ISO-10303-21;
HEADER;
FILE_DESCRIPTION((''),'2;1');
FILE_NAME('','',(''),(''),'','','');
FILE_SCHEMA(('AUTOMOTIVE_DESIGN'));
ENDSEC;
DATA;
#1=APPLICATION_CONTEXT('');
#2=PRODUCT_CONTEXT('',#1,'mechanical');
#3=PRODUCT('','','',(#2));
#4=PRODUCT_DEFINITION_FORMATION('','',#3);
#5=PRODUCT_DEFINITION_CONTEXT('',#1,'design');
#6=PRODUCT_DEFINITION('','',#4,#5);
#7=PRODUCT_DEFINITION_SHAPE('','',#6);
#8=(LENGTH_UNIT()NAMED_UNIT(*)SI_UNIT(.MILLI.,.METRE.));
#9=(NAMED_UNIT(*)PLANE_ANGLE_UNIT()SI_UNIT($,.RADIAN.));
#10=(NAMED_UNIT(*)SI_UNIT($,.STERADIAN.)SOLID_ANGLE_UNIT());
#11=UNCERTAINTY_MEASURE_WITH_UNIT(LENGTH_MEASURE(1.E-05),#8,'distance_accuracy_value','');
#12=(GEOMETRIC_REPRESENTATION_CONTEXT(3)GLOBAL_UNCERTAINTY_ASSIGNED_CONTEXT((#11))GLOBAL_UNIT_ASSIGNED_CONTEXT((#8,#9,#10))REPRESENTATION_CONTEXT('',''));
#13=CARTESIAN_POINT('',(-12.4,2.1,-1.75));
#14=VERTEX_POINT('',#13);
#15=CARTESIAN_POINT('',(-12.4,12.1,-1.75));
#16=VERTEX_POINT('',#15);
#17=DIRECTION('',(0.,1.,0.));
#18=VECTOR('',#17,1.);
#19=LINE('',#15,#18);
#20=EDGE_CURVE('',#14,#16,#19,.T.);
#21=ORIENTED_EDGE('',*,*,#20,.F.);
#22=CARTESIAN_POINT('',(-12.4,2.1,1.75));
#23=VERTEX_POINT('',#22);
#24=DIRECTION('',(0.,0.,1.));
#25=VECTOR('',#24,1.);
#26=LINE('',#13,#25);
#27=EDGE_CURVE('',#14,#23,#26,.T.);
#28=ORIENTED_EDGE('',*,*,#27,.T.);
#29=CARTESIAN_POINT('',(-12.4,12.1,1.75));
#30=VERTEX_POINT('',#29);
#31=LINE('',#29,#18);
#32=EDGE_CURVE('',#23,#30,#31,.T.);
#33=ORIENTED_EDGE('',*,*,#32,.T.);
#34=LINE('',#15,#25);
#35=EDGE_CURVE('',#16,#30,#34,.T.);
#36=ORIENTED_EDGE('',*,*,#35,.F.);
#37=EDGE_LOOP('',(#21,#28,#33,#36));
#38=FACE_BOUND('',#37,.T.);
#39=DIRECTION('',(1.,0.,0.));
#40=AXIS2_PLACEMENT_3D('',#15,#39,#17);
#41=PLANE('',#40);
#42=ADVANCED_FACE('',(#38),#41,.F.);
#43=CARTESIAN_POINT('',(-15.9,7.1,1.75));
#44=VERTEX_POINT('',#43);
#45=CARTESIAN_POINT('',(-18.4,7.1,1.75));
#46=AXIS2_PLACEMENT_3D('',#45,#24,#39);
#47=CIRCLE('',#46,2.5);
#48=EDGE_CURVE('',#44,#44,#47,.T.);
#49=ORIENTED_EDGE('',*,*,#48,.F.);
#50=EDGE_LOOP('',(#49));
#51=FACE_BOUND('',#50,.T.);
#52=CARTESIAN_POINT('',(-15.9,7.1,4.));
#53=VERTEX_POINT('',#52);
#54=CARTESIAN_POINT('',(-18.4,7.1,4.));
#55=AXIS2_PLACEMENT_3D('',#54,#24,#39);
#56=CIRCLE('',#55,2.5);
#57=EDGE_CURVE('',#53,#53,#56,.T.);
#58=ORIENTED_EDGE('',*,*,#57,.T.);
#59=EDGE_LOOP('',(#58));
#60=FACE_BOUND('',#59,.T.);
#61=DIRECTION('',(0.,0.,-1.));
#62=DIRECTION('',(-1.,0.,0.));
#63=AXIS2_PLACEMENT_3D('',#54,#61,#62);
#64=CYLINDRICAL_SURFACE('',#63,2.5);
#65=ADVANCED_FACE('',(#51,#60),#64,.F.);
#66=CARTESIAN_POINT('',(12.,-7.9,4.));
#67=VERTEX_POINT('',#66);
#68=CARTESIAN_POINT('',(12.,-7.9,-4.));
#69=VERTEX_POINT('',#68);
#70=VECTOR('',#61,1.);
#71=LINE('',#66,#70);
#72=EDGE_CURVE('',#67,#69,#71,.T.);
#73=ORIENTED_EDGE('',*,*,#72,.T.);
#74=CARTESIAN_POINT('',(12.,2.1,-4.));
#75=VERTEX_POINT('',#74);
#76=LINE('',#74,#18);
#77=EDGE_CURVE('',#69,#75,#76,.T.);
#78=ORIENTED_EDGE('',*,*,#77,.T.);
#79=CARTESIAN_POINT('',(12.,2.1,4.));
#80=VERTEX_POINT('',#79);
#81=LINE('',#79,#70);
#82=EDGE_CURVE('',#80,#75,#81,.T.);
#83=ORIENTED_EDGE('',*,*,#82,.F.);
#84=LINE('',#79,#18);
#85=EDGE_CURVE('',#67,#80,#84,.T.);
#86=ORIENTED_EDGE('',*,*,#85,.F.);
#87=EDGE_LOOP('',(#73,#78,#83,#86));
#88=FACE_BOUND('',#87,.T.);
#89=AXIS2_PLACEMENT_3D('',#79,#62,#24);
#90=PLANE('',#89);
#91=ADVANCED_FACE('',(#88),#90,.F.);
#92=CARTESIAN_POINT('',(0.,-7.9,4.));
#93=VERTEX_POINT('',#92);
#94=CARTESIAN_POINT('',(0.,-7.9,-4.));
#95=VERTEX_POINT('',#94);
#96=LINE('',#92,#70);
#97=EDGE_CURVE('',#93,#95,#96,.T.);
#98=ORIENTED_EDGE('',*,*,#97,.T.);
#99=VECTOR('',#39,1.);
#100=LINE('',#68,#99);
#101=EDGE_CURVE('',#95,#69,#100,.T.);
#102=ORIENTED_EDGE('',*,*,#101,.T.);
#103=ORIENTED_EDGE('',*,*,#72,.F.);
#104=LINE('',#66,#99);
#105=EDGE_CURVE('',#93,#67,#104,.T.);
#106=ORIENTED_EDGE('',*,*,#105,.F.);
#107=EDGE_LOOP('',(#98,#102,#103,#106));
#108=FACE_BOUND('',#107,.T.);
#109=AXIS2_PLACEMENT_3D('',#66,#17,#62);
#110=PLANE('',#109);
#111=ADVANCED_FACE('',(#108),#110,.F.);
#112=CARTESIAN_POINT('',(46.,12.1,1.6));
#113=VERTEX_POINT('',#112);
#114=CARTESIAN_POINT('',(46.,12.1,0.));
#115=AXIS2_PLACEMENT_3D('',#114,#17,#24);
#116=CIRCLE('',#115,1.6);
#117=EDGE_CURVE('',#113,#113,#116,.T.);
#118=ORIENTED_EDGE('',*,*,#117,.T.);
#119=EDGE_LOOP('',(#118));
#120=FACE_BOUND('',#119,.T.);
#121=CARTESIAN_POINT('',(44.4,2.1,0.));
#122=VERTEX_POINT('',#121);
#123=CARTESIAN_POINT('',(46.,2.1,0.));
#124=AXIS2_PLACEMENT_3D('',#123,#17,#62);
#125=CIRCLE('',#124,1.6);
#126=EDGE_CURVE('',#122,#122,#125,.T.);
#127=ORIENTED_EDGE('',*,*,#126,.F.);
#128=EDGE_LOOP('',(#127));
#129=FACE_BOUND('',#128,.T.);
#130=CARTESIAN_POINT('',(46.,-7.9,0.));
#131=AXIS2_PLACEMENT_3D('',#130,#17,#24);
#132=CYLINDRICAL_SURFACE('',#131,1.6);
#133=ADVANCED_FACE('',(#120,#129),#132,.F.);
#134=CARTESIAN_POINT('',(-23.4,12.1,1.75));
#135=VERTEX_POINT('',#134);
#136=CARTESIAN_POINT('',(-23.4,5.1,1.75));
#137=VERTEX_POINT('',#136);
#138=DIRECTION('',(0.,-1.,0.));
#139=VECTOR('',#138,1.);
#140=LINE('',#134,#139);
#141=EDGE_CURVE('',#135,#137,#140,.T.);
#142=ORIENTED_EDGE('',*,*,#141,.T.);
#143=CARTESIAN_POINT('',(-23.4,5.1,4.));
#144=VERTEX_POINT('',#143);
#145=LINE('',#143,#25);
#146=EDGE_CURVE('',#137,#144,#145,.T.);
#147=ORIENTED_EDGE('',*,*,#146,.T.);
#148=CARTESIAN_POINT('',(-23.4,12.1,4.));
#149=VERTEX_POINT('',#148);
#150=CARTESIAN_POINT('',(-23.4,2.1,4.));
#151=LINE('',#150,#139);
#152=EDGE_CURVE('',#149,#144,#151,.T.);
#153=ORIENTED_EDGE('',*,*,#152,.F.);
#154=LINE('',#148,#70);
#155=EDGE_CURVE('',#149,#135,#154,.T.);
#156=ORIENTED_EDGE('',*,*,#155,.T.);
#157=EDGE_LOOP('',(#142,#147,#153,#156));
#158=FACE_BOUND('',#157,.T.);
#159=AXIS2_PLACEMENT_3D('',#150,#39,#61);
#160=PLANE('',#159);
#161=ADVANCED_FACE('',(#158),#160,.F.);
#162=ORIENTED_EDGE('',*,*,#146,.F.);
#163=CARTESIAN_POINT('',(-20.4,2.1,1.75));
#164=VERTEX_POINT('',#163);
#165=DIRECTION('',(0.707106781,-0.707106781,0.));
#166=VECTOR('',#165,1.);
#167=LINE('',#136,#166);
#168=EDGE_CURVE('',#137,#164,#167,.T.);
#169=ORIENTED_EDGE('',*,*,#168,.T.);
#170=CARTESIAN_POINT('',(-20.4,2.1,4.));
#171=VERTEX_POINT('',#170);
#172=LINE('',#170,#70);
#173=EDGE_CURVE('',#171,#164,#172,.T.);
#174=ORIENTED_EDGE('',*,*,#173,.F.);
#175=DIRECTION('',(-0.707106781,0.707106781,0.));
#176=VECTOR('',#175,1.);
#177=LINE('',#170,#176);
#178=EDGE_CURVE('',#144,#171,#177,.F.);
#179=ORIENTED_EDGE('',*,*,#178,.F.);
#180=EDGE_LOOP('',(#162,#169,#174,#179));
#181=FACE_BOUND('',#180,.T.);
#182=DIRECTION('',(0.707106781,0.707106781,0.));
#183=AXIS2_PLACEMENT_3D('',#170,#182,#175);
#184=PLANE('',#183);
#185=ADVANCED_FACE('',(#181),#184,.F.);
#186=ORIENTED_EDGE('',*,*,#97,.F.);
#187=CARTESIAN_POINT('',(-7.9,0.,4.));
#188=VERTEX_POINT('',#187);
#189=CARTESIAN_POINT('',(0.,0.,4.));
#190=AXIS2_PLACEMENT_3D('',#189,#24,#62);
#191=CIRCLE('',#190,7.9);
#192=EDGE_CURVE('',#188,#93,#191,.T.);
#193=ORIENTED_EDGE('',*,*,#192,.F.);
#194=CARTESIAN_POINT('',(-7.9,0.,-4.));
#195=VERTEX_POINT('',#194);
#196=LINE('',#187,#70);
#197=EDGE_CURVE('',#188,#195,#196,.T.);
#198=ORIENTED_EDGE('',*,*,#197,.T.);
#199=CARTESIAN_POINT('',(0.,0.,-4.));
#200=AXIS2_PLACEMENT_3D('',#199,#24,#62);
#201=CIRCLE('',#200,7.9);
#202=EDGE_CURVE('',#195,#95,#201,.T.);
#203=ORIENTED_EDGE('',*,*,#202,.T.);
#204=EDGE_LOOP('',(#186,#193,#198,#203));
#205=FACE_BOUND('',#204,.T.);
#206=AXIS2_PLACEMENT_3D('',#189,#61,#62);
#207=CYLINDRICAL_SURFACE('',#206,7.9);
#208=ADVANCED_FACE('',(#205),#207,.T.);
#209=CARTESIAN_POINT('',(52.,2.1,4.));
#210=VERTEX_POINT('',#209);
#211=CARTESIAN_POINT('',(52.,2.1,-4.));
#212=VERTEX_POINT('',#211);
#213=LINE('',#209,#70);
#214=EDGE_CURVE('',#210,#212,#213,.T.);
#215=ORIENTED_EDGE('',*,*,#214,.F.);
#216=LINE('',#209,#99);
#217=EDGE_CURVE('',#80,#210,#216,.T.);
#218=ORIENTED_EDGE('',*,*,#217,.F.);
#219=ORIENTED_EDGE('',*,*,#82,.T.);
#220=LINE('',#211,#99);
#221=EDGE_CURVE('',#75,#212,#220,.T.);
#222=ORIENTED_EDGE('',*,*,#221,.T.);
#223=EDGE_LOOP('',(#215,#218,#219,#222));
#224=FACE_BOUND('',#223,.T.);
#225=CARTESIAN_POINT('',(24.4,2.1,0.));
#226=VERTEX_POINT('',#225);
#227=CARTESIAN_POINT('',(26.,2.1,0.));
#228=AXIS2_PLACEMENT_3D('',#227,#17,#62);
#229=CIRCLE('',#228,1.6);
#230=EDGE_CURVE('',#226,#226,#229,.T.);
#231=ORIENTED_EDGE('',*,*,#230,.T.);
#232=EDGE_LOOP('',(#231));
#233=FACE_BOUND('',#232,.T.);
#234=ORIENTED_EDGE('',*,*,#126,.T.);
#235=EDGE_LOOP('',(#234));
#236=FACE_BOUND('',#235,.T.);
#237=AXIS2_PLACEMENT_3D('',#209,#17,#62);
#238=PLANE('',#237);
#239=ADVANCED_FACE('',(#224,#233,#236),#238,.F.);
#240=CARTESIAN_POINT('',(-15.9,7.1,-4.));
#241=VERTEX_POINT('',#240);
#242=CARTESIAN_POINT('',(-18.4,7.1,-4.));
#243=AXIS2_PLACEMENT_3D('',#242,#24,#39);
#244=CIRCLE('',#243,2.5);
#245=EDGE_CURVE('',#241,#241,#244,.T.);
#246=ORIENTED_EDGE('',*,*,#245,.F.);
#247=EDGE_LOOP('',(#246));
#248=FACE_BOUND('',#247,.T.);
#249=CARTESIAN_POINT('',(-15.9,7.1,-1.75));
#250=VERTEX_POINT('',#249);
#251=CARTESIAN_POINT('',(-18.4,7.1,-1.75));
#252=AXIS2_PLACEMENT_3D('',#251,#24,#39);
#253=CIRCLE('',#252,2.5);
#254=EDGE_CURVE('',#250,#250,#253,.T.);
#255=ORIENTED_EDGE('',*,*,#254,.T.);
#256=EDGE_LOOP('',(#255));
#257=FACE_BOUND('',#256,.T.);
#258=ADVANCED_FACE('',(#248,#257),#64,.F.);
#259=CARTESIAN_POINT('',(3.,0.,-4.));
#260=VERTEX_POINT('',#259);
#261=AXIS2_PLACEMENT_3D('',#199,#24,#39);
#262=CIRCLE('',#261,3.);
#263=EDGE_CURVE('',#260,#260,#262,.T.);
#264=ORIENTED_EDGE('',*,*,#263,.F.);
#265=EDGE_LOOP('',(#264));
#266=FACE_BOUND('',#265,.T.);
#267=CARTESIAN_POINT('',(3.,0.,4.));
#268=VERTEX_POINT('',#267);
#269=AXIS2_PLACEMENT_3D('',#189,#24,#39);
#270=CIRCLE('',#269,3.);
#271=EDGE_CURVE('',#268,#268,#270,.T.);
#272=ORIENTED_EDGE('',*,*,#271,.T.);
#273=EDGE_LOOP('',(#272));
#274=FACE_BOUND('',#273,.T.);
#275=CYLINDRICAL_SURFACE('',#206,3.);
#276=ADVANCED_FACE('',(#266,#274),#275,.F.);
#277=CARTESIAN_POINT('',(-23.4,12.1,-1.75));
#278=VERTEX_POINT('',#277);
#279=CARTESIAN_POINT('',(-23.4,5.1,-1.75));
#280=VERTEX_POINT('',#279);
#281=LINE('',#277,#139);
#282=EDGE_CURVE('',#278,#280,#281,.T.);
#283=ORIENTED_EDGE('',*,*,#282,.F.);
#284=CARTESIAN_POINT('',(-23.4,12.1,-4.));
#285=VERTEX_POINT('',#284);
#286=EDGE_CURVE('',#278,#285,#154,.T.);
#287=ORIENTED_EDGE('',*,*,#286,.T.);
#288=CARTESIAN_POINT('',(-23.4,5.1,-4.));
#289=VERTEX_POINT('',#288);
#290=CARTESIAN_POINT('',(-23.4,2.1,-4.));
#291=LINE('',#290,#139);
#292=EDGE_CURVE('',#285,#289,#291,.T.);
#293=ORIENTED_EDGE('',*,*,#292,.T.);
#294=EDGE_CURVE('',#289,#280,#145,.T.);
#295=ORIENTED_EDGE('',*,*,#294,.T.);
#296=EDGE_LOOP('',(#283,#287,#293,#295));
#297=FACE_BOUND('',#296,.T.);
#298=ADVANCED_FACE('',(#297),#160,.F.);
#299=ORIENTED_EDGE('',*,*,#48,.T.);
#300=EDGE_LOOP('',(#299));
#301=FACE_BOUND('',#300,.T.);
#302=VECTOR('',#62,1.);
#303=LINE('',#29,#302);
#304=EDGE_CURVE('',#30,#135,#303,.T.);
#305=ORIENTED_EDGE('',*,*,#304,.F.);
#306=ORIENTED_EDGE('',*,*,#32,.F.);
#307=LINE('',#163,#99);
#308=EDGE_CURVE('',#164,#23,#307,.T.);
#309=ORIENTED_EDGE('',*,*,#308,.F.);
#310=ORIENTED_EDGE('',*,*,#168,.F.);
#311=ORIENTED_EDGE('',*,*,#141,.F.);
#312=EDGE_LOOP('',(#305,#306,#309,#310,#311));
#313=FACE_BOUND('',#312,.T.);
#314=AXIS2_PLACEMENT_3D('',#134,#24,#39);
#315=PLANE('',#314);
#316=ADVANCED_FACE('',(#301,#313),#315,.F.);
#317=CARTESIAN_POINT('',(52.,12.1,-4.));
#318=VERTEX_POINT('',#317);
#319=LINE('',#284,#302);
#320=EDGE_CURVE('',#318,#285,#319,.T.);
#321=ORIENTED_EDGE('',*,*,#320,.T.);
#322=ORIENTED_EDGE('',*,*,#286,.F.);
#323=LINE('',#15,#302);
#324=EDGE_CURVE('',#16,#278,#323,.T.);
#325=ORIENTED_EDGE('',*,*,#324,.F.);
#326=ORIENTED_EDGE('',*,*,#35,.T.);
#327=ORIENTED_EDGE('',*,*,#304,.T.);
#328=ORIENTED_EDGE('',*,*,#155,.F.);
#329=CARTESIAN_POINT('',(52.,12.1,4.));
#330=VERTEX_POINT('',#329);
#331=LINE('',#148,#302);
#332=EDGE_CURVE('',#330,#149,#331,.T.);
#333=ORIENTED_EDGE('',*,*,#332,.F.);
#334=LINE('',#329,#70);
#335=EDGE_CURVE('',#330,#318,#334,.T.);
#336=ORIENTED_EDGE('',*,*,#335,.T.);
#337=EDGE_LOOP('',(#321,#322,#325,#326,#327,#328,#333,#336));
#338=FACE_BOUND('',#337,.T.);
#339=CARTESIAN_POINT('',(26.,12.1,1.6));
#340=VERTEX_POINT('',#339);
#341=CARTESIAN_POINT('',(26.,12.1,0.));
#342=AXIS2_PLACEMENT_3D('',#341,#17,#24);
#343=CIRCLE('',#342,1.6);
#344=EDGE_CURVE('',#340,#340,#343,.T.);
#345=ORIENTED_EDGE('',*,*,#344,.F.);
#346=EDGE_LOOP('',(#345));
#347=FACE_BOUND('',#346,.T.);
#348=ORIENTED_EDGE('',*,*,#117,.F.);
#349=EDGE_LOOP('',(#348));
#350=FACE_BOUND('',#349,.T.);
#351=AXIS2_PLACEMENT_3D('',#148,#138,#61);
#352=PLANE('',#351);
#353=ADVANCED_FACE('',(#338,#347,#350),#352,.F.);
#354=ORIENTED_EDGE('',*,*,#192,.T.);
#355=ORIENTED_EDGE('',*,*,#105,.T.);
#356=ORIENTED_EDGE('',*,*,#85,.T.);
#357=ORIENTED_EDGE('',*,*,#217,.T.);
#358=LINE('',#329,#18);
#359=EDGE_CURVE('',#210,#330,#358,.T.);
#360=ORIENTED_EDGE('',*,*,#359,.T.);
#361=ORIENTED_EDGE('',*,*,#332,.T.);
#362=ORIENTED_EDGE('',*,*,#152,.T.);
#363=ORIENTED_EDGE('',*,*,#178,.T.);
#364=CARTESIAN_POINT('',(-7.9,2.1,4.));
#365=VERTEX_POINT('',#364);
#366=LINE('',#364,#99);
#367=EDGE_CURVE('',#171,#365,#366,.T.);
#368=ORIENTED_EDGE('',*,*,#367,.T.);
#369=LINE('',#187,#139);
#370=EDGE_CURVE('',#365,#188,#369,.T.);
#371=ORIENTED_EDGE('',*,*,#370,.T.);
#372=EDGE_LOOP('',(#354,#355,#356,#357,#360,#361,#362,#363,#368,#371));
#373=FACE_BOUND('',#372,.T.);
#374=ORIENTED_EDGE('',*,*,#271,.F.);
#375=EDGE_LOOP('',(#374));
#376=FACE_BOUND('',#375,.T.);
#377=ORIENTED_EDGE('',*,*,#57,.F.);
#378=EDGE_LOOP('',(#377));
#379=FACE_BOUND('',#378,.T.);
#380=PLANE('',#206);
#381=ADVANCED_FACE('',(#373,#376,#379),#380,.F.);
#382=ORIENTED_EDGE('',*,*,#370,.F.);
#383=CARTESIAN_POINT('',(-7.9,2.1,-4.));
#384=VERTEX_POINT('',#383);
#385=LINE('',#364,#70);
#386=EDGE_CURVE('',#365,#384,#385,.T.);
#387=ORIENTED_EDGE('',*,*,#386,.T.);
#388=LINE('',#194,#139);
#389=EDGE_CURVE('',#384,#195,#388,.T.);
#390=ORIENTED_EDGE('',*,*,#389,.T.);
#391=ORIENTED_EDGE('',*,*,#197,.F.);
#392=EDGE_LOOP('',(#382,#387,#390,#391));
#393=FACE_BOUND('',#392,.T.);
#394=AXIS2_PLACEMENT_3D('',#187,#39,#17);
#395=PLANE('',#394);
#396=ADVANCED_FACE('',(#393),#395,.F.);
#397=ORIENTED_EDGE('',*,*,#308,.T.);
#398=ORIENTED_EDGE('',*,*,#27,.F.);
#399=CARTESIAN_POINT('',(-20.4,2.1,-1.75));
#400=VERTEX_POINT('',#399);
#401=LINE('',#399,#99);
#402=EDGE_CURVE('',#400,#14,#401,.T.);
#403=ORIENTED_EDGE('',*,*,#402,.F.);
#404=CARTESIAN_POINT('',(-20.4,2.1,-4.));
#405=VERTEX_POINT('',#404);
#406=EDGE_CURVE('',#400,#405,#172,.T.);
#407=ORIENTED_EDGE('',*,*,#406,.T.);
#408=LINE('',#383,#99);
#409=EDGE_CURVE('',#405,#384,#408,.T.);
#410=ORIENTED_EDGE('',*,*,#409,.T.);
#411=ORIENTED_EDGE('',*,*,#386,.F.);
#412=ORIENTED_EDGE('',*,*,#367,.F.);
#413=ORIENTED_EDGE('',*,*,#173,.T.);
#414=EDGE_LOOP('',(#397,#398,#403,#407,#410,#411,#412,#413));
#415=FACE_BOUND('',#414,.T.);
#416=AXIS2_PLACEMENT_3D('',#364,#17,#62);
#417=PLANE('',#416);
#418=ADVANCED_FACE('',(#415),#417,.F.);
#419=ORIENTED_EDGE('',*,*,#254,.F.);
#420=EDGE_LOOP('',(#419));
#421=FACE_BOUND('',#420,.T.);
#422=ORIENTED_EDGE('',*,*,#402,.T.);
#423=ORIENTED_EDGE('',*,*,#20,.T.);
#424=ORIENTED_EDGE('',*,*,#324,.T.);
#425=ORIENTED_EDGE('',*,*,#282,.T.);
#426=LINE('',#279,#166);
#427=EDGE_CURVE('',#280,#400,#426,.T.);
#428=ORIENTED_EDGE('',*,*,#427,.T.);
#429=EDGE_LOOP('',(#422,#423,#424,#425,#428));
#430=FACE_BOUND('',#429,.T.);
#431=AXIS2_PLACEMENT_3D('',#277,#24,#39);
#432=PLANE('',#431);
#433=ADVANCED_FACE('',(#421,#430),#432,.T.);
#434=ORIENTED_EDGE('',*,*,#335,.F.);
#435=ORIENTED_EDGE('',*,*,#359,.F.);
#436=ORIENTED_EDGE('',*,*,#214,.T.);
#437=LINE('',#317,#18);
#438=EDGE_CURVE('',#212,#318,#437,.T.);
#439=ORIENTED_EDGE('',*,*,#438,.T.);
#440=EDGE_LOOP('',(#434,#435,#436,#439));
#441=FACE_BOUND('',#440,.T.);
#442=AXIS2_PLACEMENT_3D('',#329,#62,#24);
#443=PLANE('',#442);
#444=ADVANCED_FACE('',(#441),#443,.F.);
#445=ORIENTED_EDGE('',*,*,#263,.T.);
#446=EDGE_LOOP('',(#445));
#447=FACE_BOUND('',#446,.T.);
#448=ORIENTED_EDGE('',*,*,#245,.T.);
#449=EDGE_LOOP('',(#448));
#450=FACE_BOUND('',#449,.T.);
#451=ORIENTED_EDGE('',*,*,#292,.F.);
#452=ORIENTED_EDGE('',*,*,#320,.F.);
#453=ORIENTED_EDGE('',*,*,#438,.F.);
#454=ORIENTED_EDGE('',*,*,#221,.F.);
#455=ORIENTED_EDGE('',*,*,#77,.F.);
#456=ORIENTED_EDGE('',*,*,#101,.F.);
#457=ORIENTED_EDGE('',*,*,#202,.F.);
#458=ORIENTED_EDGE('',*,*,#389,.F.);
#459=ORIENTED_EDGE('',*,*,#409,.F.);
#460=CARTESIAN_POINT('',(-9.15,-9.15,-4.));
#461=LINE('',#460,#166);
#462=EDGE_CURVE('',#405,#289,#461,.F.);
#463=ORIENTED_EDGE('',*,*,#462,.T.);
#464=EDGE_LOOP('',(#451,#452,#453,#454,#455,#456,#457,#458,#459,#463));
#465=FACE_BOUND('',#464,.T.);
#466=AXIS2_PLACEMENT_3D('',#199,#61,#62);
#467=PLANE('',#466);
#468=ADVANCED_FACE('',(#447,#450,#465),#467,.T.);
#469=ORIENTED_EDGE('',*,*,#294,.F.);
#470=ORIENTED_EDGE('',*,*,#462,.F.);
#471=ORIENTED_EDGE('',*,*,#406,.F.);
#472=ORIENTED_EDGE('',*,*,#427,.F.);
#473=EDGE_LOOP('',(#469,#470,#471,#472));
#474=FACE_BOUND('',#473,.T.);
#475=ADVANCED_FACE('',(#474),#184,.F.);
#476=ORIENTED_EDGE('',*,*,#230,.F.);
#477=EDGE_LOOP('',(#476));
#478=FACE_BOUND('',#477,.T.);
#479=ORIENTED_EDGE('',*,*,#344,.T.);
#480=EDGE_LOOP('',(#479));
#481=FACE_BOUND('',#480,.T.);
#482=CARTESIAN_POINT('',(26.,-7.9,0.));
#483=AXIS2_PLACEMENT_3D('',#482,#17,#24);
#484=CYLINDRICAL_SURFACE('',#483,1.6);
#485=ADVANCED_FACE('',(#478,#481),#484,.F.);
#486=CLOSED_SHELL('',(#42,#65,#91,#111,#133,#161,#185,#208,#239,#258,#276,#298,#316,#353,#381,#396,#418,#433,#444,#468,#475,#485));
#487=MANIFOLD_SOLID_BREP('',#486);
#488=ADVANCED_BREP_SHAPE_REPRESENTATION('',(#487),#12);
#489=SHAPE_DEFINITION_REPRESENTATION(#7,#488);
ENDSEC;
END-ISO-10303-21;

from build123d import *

# Parameters (mm, degrees)
ESQUISSE1_R             = 3
ESQUISSE1_R_2           = 2.5
BASE_EXTRUSION_DEPTH    = 4
CHANFREIN1_SIZE         = 3
ENL_V_MAT_EXTRU_2_DEPTH = 1.75
ESQUISSE7_R             = 1.6
ENL_V_MAT_EXTRU_3_DEPTH = 21


with BuildPart() as part:
    # Esquisse1 → Base-Extrusion (new body, symmetric)
    with BuildSketch(Plane.XY):
        with BuildLine():
            Line((-23.4, 12.1), (52, 12.1))
            Line((52, 12.1), (52, 2.1))
            Line((52, 2.1), (12, 2.1))
            Line((12, 2.1), (12, -7.9))
            Line((12, -7.9), (0, -7.9))
            ThreePointArc((0, -7.9), (-5.586143571, -5.586143571), (-7.9, 0))
            Line((-7.9, 0), (-7.9, 2.1))
            Line((-7.9, 2.1), (-23.4, 2.1))
            Line((-23.4, 2.1), (-23.4, 12.1))
        make_face()
        Circle(ESQUISSE1_R, mode=Mode.SUBTRACT)
        with Locations((-18.4, 7.1)):
            Circle(ESQUISSE1_R_2, mode=Mode.SUBTRACT)
    extrude(amount=BASE_EXTRUSION_DEPTH, both=True)

    # Chanfrein1
    chanfrein1_edges = [part.edges().sort_by_distance(p)[0] for p in [
        (-23.4, 2.1, 0),
    ]]
    chamfer(chanfrein1_edges, length=CHANFREIN1_SIZE)

    # Esquisse2 → Enlèv. mat.-Extru.2 (cut, symmetric)
    with BuildSketch(Plane.XY):
        Polygon((-12.4, 12.1), (-12.4, 2.1), (-20.4, 2.1), (-23.4, 5.1), (-23.4, 12.1), align=None)
    extrude(amount=ENL_V_MAT_EXTRU_2_DEPTH, both=True, mode=Mode.SUBTRACT)

    # Esquisse7 → Enlèv. mat.-Extru.3 (cut, through all)
    with BuildSketch(Plane(origin=(0, 12.1, 0), x_dir=(-1, 0, 0), z_dir=(0, 1, 0))):
        with Locations(Location((-46, 0, 0), (0, 0, 90))):  # turned: the seam where the file's is
            Circle(ESQUISSE7_R)
        with Locations(Location((-26, 0, 0), (0, 0, 90))):  # turned: the seam where the file's is
            Circle(ESQUISSE7_R)
    extrude(amount=-ENL_V_MAT_EXTRU_3_DEPTH, mode=Mode.SUBTRACT)


solid = part.part
